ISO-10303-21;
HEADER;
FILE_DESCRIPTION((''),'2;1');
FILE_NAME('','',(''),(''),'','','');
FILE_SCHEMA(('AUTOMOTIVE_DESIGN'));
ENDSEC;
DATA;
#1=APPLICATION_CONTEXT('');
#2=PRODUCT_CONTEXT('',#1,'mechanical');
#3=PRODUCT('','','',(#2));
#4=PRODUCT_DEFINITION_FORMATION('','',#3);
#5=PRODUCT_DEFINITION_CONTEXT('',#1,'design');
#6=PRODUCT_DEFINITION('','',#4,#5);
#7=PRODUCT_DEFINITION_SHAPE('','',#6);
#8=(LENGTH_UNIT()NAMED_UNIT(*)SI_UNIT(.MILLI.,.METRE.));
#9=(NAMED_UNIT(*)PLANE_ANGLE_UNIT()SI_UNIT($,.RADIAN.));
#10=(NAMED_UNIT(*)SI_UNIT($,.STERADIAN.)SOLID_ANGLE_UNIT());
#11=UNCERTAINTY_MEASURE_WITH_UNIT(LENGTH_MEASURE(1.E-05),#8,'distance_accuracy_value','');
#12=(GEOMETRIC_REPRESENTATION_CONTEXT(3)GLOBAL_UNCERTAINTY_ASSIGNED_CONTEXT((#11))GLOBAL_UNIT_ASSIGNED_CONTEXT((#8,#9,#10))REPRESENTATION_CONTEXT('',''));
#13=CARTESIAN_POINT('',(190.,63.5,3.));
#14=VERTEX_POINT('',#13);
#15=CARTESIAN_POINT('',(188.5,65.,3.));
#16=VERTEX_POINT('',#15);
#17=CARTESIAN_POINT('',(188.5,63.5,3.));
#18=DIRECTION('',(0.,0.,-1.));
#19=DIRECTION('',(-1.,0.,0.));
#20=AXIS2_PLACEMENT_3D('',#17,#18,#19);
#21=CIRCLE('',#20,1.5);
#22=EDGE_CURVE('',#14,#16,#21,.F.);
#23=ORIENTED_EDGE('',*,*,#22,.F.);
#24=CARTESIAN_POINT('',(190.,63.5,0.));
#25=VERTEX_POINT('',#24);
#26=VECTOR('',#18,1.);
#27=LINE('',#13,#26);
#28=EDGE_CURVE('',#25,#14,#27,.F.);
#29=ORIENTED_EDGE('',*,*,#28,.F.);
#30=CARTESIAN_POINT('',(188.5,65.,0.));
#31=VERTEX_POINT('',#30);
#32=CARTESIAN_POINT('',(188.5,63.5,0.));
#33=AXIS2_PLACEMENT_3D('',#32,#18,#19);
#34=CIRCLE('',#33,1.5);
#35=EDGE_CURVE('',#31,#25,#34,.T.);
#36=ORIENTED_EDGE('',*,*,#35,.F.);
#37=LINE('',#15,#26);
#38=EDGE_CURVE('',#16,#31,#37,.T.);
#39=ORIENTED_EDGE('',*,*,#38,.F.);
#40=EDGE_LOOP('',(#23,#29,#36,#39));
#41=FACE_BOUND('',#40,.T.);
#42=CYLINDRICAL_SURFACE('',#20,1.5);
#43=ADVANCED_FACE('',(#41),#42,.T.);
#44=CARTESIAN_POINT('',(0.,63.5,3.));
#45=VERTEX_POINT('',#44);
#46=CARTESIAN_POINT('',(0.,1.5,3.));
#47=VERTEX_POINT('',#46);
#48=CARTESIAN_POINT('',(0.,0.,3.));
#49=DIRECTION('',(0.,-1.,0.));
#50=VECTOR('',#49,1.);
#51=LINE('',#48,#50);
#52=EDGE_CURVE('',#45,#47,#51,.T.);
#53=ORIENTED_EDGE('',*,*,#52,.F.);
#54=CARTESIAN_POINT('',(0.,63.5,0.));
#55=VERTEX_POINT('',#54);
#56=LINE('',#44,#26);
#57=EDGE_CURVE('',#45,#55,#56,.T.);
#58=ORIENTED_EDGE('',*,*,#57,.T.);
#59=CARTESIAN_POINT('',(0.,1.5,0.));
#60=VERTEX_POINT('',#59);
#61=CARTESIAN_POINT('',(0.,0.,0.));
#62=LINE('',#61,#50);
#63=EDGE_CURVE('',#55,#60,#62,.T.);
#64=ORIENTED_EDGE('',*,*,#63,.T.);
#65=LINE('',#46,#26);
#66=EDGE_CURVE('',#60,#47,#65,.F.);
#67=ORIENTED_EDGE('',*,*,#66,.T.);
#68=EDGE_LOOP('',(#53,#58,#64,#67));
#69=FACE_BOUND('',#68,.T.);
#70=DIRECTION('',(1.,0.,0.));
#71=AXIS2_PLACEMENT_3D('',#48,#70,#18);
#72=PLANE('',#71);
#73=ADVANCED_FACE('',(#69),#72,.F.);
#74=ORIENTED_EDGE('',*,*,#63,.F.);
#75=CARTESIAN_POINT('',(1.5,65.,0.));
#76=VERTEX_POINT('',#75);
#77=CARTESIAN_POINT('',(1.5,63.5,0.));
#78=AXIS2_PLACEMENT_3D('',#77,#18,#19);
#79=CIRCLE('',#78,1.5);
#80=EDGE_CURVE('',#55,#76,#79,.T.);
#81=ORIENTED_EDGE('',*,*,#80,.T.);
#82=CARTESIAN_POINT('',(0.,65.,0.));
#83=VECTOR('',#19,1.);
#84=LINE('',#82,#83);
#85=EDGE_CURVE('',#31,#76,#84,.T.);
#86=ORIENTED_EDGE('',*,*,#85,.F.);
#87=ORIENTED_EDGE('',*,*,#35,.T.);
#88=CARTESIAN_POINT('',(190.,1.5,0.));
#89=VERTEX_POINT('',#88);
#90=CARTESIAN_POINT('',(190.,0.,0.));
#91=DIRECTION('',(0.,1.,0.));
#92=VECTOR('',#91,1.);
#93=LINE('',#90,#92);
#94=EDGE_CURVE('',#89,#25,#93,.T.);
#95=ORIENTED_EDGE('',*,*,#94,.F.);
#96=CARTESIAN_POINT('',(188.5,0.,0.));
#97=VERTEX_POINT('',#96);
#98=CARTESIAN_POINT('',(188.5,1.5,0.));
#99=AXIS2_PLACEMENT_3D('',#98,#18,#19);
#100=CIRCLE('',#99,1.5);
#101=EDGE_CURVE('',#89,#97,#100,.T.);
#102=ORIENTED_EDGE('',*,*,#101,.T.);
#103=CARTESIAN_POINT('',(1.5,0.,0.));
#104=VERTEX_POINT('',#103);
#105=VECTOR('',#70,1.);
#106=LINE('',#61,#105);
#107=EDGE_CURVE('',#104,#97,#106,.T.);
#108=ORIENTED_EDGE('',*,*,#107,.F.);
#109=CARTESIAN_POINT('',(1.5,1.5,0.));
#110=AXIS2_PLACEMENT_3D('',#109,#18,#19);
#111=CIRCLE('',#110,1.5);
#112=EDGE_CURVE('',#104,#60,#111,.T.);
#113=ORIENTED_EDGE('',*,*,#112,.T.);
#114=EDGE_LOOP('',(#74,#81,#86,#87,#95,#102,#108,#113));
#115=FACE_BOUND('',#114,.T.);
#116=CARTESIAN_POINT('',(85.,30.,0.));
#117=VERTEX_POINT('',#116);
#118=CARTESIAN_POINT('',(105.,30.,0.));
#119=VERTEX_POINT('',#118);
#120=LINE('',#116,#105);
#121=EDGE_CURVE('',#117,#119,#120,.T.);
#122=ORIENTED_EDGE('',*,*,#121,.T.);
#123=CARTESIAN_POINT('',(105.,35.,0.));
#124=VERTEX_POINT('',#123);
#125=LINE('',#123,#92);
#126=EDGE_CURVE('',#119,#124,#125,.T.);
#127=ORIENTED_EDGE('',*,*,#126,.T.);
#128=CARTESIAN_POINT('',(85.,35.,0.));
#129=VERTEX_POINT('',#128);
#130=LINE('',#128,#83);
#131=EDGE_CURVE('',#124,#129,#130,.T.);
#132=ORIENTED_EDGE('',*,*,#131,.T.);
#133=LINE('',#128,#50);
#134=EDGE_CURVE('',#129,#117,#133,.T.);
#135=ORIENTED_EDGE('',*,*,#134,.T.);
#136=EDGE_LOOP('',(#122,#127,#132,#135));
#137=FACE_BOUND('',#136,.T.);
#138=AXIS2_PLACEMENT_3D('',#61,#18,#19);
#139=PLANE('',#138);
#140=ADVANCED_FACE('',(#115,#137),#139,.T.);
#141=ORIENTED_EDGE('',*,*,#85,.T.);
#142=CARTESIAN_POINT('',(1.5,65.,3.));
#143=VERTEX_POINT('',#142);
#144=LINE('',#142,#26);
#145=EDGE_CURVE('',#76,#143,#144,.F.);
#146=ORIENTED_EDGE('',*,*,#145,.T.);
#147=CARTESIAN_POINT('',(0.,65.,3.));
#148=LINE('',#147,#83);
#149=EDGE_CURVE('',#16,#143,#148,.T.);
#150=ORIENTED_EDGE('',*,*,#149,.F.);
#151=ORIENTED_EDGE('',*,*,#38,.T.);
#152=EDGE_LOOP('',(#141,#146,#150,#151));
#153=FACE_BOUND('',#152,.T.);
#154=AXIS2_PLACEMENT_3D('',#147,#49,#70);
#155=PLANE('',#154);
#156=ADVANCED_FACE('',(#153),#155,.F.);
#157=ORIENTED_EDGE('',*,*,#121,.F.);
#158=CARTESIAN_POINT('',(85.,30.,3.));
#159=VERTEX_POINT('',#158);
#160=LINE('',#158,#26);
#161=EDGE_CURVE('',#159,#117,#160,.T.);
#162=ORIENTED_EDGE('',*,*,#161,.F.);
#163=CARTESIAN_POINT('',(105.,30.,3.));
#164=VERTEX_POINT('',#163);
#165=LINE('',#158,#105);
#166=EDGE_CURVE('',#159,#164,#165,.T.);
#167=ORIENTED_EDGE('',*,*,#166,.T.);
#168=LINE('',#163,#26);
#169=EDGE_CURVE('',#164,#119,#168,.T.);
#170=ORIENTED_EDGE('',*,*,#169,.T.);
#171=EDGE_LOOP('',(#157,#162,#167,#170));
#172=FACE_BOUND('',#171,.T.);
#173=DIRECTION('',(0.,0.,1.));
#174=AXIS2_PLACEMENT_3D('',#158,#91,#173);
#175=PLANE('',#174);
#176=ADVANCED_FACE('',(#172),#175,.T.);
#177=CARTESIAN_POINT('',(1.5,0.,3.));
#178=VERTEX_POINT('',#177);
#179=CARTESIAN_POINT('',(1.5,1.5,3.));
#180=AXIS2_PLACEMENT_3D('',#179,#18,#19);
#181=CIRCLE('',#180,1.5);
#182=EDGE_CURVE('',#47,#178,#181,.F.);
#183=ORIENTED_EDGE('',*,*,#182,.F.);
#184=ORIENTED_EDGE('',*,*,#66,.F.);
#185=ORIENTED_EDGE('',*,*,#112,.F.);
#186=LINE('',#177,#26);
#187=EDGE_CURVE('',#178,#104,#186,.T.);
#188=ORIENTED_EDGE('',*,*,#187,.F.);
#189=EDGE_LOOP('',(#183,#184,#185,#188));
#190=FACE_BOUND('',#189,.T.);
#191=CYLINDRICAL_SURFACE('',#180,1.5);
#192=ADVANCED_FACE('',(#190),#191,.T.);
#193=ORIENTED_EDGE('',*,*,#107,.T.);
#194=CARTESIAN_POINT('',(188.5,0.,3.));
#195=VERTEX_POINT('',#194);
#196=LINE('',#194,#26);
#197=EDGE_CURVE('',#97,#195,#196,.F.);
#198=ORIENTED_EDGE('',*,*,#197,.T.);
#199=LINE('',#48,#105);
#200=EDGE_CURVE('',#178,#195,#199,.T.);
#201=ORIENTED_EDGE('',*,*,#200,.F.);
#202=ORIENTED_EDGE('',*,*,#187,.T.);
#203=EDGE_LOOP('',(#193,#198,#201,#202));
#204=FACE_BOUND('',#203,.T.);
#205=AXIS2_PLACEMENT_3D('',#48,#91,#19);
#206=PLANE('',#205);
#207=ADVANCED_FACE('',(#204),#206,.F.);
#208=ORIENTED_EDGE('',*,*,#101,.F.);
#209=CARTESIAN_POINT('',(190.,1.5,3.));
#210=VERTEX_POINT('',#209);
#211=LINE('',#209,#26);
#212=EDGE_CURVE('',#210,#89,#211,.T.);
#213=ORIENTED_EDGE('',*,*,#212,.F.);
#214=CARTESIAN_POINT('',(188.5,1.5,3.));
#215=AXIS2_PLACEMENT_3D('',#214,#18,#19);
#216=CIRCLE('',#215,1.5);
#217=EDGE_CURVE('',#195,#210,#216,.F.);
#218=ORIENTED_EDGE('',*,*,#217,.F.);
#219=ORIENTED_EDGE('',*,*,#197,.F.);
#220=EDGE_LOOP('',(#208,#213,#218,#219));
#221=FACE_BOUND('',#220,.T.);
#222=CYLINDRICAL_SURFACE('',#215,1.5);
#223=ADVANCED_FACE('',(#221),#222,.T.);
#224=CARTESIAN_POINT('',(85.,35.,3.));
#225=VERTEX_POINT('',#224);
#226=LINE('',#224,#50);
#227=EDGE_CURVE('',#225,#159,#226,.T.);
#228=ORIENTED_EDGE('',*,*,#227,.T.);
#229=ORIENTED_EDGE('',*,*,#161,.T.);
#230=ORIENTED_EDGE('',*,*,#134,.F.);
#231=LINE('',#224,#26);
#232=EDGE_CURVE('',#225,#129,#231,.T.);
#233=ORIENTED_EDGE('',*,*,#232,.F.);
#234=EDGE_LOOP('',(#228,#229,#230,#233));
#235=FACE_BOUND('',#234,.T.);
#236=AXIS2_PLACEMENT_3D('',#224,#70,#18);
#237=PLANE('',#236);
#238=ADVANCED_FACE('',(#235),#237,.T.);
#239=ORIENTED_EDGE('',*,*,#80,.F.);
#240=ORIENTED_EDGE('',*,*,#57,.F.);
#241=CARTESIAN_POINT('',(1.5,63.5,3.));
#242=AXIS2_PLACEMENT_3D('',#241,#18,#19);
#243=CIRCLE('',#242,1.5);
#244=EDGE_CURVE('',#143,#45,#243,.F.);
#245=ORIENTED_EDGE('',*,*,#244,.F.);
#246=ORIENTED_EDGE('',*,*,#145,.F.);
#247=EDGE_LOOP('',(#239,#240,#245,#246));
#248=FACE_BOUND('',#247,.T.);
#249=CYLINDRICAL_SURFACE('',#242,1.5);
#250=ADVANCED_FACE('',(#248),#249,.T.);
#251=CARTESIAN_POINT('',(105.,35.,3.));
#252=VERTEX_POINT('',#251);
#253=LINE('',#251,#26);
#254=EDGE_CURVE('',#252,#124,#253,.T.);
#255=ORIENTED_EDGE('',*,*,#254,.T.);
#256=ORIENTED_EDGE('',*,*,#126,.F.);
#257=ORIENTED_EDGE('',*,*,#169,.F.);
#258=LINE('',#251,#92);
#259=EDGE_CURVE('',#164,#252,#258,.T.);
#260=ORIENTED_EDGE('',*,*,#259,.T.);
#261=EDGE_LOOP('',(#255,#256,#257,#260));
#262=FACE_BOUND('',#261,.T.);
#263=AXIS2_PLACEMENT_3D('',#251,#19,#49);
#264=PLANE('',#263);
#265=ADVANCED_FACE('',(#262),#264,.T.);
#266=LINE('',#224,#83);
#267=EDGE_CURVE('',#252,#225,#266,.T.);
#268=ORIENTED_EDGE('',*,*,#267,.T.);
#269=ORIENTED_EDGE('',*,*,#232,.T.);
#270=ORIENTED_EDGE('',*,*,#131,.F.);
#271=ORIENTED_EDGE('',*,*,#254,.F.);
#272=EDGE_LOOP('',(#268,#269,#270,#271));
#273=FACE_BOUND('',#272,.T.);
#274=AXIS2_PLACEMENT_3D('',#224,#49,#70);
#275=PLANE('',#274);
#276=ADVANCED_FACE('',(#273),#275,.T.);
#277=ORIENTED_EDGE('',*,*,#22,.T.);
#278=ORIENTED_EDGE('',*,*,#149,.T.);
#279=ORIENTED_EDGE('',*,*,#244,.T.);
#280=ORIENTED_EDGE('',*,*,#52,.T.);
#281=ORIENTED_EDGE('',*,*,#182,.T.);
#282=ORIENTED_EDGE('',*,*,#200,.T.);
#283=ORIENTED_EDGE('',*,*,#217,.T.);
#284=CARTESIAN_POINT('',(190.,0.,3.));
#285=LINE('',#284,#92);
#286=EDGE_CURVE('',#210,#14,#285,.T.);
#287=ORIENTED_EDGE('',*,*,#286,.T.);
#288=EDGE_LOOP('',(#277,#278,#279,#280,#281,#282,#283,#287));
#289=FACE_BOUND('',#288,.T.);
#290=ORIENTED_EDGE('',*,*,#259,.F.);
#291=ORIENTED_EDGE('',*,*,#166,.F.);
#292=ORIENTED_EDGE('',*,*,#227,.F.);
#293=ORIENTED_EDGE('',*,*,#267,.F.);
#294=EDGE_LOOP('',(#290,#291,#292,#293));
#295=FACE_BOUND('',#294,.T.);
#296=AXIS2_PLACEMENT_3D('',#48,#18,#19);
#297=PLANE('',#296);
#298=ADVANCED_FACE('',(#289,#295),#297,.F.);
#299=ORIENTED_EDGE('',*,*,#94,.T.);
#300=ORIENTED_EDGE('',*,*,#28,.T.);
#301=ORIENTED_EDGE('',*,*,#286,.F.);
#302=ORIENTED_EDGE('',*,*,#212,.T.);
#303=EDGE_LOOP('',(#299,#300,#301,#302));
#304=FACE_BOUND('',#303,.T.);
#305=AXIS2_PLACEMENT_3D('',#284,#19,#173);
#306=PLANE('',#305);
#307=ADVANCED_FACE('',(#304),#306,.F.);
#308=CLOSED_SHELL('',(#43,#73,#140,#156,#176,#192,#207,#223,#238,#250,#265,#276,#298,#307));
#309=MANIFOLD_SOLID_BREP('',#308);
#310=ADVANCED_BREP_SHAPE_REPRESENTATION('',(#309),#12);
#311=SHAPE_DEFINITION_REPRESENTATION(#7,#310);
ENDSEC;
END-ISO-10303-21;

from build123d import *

# Parameters (mm, degrees)
SKETCH2_W           = 190
SKETCH2_H           = 65
SKETCH2_W_2         = 20
SKETCH2_H_2         = 5
BOSS_EXTRUDE1_DEPTH = 3
FILLET1_R           = 1.5


with BuildPart() as part:
    # Sketch2 → Boss-Extrude1 (new body)
    with BuildSketch(Plane.XY):
        with Locations((95, 32.5)):
            Rectangle(SKETCH2_W, SKETCH2_H)
        with Locations((95, 32.5)):
            Rectangle(SKETCH2_W_2, SKETCH2_H_2, mode=Mode.SUBTRACT)
    extrude(amount=BOSS_EXTRUDE1_DEPTH)

    # Fillet1
    fillet1_edges = [part.edges().sort_by_distance(p)[0] for p in [
        (0, 65, 1.5),
        (190, 65, 1.5),
        (190, 0, 1.5),
        (0, 0, 1.5),
    ]]
    fillet(fillet1_edges, radius=FILLET1_R)


solid = part.part
